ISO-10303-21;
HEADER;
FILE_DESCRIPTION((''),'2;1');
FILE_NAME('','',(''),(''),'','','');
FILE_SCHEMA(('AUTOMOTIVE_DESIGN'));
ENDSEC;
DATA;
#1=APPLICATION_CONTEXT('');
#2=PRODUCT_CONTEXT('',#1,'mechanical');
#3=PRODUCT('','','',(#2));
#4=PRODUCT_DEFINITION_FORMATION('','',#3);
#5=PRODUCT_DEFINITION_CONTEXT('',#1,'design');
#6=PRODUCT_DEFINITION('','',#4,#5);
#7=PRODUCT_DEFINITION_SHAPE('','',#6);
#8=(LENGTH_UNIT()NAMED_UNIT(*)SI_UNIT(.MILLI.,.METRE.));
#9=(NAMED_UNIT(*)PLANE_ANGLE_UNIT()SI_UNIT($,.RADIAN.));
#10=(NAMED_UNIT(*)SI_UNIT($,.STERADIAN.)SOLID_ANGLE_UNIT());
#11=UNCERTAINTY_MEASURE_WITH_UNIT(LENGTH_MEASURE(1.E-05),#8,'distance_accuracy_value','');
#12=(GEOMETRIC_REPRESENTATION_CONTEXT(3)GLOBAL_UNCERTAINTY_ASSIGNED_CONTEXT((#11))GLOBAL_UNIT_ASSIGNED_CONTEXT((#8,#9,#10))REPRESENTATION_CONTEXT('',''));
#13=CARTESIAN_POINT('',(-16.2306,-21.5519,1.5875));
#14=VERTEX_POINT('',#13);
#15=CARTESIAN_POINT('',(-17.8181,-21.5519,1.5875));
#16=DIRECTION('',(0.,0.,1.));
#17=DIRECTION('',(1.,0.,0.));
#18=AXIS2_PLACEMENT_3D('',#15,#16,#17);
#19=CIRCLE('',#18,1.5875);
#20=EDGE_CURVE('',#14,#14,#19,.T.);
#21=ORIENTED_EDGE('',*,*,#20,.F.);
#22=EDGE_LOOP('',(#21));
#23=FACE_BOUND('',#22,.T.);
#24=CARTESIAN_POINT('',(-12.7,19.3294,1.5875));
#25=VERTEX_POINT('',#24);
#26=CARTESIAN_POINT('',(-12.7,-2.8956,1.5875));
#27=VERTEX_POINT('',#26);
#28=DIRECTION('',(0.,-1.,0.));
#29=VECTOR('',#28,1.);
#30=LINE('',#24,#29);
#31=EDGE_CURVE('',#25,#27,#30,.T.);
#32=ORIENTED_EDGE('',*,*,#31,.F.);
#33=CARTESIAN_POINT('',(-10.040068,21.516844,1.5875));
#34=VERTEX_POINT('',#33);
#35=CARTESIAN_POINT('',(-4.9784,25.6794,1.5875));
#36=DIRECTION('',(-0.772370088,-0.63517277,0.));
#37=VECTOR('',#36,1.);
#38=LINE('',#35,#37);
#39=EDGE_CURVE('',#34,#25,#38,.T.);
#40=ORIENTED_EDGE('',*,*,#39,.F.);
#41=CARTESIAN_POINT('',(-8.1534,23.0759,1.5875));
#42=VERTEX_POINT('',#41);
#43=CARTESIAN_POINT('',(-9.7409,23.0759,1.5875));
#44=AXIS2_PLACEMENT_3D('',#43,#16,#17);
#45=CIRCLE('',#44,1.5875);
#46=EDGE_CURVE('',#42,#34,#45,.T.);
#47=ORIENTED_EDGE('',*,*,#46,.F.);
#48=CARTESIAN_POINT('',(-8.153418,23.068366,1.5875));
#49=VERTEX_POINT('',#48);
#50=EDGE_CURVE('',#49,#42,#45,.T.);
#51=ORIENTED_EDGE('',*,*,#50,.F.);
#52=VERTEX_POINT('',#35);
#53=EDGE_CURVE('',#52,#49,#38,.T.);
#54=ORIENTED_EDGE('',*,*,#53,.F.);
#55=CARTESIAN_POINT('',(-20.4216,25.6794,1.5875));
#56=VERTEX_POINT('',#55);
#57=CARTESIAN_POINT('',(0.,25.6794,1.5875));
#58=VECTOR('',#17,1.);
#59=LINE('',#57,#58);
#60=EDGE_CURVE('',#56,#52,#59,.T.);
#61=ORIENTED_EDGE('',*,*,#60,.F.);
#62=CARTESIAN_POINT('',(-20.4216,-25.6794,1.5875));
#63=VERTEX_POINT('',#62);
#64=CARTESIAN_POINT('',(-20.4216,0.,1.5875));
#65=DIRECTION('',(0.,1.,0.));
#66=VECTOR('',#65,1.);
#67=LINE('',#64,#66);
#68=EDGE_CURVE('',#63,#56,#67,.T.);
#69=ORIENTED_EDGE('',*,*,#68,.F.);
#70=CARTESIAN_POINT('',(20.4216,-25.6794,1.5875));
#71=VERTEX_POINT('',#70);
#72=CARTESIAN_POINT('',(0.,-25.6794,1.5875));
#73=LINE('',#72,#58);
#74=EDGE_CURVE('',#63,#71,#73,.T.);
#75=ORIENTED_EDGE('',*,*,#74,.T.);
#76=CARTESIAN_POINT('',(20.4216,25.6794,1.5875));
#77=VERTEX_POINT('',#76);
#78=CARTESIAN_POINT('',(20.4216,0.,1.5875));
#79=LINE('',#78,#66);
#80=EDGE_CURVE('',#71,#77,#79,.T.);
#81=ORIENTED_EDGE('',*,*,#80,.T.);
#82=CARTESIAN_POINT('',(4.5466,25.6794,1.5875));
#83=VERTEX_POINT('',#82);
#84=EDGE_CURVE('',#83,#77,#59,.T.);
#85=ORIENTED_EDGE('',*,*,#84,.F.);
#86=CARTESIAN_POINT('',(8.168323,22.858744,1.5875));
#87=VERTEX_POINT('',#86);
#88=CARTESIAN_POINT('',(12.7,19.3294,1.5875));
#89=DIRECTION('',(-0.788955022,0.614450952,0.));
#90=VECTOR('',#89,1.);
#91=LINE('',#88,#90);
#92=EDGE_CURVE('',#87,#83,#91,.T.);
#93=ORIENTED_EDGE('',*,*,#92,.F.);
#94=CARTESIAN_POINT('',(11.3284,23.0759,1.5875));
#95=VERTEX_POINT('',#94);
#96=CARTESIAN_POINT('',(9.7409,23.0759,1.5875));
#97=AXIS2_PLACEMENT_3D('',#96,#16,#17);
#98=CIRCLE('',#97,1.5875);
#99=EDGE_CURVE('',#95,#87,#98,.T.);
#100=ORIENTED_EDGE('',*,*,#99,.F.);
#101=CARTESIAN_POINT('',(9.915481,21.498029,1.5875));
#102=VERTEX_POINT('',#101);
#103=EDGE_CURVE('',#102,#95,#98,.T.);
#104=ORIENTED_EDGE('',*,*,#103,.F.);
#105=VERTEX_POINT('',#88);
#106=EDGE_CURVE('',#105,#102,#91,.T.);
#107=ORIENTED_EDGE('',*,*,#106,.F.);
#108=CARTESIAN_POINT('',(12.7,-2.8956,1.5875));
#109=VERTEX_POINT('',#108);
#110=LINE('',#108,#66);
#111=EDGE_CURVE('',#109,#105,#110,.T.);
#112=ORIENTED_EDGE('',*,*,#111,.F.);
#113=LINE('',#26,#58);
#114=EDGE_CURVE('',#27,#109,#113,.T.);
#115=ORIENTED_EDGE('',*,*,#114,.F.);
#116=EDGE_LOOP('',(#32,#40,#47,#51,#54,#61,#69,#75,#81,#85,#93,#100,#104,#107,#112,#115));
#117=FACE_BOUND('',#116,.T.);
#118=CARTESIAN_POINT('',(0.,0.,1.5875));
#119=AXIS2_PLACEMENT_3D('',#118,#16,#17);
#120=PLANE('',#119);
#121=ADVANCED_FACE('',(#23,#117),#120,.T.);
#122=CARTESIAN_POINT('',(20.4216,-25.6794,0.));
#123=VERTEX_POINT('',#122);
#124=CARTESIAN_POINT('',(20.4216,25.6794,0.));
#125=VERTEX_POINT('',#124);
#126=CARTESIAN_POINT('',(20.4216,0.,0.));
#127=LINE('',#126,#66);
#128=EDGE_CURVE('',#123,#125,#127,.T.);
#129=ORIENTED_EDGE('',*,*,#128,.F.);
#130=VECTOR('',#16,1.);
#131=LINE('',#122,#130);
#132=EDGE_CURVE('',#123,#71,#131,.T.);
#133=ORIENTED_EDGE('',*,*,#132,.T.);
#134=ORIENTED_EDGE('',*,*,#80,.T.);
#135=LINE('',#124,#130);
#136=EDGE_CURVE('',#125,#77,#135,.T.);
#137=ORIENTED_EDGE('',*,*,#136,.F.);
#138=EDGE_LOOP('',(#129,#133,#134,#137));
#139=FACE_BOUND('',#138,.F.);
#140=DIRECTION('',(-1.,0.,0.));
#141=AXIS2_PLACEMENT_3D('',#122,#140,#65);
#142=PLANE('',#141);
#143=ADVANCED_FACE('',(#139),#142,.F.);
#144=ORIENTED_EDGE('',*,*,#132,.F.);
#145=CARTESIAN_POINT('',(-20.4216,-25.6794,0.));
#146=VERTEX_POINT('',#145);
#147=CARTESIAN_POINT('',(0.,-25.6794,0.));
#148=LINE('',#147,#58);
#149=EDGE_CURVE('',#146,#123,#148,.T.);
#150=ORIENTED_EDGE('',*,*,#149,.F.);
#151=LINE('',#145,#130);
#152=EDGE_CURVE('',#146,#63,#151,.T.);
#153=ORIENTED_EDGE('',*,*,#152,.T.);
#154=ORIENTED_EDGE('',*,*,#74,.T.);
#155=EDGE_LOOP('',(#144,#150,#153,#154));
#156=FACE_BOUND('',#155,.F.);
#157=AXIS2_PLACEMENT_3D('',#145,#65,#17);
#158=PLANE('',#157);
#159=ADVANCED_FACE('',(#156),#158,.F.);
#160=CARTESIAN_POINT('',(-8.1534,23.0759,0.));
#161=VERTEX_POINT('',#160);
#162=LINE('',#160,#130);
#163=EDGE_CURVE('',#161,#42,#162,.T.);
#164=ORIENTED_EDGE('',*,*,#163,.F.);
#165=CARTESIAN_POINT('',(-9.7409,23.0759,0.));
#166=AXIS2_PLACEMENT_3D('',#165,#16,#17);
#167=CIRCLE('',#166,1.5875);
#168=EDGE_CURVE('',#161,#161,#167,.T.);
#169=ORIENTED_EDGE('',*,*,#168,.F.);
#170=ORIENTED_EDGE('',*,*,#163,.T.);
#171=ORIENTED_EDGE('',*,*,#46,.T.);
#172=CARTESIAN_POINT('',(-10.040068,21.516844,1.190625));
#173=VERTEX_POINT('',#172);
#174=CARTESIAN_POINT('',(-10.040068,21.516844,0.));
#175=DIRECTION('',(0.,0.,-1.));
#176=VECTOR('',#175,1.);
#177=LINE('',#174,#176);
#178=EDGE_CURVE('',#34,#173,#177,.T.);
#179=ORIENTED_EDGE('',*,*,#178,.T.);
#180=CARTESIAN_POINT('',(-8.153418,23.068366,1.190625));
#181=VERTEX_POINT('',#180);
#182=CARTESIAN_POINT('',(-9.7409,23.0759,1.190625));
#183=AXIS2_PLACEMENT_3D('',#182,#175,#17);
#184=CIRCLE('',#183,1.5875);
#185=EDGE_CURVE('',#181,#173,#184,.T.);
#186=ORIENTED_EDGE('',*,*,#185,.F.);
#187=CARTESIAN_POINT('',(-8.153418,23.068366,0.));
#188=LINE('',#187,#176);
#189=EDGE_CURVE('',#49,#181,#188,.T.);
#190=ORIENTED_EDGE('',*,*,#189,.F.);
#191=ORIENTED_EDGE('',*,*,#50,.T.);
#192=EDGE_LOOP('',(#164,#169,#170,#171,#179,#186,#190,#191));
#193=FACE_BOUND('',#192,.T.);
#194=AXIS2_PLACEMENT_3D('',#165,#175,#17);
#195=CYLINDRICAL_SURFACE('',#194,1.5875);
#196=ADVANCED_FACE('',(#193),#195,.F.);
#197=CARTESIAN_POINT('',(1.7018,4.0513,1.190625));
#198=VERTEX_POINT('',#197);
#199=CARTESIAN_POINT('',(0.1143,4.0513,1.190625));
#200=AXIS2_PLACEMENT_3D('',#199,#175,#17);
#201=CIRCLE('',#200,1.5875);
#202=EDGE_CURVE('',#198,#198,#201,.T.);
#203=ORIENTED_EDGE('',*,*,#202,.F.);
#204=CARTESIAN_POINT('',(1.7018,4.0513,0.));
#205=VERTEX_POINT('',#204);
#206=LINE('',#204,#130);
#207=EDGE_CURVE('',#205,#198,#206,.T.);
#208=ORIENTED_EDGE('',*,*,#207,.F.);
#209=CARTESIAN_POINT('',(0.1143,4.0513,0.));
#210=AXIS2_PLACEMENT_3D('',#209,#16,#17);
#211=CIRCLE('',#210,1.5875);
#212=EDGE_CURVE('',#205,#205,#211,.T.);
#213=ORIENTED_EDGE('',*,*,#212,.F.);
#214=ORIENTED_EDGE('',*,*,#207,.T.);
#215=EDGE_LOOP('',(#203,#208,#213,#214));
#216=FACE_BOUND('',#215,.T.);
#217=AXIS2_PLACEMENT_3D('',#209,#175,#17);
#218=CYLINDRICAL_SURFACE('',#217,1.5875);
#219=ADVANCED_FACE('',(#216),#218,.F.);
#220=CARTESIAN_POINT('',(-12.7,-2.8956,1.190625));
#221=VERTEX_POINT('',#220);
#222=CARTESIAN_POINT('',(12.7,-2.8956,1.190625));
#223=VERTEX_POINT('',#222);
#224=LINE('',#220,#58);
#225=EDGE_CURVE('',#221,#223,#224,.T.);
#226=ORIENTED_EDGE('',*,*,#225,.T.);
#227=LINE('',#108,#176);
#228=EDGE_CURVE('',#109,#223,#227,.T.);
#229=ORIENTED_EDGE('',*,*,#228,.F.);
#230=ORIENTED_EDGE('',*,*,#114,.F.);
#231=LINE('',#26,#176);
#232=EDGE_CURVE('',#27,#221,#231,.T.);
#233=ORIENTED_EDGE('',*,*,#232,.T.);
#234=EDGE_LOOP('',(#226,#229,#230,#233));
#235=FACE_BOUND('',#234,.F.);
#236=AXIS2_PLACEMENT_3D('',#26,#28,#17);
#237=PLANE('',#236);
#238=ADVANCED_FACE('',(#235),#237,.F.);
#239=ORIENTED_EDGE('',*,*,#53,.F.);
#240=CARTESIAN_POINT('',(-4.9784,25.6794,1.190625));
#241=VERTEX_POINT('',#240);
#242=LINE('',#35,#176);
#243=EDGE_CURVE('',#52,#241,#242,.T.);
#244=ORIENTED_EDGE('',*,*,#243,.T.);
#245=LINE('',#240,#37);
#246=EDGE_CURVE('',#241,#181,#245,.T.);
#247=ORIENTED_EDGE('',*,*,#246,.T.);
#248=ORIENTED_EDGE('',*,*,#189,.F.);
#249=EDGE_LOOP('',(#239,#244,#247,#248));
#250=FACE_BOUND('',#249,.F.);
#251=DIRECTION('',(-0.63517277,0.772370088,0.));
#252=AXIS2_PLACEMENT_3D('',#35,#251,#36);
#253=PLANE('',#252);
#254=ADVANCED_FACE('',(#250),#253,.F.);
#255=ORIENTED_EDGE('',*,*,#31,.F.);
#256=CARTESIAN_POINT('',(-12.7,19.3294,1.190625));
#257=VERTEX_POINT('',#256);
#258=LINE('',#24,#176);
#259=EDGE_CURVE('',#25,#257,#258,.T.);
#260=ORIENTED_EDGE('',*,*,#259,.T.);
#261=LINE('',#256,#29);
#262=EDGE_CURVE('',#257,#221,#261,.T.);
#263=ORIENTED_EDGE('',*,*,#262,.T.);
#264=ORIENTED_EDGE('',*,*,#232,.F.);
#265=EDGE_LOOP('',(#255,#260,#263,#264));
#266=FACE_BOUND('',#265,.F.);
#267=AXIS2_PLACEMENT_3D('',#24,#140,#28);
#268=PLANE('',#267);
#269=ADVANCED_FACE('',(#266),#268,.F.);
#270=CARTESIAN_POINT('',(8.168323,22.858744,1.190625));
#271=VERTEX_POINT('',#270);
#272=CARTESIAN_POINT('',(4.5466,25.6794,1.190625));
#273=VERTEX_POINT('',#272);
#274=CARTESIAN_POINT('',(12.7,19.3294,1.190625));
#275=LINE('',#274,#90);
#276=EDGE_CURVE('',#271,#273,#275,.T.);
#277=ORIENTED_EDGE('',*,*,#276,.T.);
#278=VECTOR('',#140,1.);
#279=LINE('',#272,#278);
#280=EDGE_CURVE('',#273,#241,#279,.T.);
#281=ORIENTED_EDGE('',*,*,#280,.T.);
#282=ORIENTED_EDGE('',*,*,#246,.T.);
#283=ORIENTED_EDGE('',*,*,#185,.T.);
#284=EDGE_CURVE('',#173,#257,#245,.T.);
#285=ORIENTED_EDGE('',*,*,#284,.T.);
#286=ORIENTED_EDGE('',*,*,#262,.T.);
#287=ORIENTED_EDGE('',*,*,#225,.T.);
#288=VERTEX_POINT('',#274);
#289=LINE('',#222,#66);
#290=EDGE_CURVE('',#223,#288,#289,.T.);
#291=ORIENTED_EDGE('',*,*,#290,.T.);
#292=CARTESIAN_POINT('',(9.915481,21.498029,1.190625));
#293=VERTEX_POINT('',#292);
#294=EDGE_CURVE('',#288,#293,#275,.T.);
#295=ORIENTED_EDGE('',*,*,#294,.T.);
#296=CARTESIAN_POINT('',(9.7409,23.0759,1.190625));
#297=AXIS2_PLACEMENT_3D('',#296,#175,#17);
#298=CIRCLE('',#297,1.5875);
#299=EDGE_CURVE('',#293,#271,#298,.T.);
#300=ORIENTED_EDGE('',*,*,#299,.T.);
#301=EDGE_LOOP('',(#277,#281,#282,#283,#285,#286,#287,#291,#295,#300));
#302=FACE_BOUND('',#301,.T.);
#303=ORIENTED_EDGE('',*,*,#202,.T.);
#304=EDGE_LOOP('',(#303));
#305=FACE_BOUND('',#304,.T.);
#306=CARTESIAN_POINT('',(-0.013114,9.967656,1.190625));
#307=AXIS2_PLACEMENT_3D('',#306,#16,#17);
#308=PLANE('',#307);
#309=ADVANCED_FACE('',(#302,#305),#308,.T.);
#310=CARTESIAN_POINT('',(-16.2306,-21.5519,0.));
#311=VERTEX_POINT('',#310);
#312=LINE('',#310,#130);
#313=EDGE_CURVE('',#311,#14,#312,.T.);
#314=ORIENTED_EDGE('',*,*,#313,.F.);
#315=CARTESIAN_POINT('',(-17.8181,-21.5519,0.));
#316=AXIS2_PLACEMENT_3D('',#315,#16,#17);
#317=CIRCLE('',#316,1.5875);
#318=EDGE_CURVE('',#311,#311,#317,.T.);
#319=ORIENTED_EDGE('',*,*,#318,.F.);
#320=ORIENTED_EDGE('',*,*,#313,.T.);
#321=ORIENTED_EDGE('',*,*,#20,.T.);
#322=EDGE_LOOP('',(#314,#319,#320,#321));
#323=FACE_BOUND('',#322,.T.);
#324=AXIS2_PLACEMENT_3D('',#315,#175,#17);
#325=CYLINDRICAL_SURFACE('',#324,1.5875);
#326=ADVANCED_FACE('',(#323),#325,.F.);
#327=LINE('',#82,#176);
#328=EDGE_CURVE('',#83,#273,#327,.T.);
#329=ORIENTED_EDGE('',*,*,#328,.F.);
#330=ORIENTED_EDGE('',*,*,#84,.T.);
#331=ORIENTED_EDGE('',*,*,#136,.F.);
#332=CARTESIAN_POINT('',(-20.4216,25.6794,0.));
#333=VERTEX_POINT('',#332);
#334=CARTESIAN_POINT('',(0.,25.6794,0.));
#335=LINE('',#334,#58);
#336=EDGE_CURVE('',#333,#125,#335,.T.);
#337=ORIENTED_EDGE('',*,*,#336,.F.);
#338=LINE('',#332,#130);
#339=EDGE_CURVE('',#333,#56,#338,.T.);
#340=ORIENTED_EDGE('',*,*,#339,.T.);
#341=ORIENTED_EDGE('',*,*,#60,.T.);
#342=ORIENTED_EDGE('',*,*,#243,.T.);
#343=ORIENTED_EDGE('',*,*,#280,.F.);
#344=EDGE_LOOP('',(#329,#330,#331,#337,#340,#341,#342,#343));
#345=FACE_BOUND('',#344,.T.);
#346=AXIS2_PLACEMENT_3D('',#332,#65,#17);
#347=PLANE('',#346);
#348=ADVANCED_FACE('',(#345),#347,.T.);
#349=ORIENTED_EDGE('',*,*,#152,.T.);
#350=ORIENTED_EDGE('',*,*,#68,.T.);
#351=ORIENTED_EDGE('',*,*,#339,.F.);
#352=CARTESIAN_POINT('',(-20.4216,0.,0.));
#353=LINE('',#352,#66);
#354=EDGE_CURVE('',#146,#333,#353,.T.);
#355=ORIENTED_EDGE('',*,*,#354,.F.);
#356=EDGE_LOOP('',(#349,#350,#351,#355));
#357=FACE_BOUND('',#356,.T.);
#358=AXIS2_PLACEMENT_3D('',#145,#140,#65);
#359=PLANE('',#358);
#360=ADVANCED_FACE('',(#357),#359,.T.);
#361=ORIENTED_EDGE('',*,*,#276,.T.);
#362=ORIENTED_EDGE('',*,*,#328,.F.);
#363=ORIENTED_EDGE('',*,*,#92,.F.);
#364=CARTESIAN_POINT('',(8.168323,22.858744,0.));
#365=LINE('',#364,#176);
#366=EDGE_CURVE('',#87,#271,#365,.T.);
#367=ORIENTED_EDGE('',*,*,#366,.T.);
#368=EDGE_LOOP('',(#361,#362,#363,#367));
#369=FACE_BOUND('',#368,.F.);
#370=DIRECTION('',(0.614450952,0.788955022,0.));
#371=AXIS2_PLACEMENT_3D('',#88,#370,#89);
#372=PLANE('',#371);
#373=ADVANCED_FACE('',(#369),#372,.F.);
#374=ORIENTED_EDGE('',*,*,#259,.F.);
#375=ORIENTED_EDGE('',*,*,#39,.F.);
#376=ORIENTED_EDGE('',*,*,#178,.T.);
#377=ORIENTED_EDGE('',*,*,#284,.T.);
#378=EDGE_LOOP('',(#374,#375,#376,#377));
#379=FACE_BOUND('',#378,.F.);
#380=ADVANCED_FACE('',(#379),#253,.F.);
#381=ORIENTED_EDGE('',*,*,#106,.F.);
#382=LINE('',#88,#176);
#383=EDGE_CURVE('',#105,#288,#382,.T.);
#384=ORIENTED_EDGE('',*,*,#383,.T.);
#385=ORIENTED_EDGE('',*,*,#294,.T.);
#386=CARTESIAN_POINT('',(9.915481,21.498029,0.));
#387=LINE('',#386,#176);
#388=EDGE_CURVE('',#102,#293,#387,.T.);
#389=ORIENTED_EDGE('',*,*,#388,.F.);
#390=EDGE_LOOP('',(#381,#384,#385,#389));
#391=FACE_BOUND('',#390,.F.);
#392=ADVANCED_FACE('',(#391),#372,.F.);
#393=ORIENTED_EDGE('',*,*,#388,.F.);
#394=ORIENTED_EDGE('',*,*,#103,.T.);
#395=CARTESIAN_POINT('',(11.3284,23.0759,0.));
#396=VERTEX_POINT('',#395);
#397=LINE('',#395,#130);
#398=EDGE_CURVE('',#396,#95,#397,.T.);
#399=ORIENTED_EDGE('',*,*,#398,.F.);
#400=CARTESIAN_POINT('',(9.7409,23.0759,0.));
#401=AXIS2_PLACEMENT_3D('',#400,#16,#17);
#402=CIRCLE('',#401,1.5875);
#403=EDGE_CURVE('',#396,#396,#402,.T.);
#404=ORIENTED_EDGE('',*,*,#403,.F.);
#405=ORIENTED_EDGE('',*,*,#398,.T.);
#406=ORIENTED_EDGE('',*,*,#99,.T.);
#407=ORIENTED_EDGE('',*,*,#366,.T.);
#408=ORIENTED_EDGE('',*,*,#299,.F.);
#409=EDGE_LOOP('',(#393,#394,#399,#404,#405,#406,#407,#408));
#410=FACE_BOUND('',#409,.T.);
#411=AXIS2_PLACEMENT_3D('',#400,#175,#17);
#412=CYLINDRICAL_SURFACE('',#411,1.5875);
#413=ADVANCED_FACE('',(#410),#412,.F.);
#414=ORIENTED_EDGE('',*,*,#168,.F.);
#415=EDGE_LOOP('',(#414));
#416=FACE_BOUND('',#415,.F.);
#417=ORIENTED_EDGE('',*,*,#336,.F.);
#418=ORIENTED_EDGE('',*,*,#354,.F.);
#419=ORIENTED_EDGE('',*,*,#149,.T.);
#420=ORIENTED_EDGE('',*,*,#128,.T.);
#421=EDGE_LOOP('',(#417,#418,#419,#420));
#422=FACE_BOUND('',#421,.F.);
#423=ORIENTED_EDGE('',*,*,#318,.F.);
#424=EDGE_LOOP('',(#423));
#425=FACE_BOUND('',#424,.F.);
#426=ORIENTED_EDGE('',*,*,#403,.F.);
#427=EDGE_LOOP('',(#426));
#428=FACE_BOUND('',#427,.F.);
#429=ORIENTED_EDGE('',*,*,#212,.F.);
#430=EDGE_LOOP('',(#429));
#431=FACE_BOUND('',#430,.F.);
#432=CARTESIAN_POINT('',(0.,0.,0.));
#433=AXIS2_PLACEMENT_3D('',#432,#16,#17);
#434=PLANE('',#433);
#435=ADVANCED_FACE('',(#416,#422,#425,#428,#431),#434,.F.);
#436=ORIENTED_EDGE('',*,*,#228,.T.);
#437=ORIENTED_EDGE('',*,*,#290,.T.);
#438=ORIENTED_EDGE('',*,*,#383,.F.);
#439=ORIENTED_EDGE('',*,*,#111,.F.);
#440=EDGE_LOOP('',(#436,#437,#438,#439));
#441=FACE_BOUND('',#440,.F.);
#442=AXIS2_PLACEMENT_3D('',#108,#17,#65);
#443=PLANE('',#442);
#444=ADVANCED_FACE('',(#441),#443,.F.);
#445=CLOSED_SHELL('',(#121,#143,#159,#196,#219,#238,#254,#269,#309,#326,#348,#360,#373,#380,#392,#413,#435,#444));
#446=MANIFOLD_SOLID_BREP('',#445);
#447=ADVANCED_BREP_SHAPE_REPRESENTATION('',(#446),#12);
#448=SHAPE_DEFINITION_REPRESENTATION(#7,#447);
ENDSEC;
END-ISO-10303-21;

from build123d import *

# Parameters (mm, degrees)
F0_W     = 40.8432
F0_H     = 51.3588
F0_R     = 1.5875
F1_DEPTH = 1.5875
F3_DEPTH = 0.396875


with BuildPart() as f1:
    # F0 (on Top) → F1 (new body)
    with BuildSketch(Plane.XY):
        Rectangle(F0_W, F0_H)
        with Locations((-17.8181, -21.5519)):
            Circle(F0_R, mode=Mode.SUBTRACT)
        with Locations((-9.7409, 23.0759)):
            Circle(F0_R, mode=Mode.SUBTRACT)
        with Locations((0.1143, 4.0513)):
            Circle(F0_R, mode=Mode.SUBTRACT)
        with Locations((9.7409, 23.0759)):
            Circle(F0_R, mode=Mode.SUBTRACT)
    extrude(amount=F1_DEPTH)

    # F2 (on face) → F3 (cut)
    with BuildSketch(Plane.XY.offset(1.5875)):
        Polygon((4.5466, 25.6794), (-4.9784, 25.6794), (-12.7, 19.3294), (-12.7, -2.8956), (12.7, -2.8956), (12.7, 19.3294), align=None)
    extrude(amount=-F3_DEPTH, mode=Mode.SUBTRACT)


solid = f1.part
